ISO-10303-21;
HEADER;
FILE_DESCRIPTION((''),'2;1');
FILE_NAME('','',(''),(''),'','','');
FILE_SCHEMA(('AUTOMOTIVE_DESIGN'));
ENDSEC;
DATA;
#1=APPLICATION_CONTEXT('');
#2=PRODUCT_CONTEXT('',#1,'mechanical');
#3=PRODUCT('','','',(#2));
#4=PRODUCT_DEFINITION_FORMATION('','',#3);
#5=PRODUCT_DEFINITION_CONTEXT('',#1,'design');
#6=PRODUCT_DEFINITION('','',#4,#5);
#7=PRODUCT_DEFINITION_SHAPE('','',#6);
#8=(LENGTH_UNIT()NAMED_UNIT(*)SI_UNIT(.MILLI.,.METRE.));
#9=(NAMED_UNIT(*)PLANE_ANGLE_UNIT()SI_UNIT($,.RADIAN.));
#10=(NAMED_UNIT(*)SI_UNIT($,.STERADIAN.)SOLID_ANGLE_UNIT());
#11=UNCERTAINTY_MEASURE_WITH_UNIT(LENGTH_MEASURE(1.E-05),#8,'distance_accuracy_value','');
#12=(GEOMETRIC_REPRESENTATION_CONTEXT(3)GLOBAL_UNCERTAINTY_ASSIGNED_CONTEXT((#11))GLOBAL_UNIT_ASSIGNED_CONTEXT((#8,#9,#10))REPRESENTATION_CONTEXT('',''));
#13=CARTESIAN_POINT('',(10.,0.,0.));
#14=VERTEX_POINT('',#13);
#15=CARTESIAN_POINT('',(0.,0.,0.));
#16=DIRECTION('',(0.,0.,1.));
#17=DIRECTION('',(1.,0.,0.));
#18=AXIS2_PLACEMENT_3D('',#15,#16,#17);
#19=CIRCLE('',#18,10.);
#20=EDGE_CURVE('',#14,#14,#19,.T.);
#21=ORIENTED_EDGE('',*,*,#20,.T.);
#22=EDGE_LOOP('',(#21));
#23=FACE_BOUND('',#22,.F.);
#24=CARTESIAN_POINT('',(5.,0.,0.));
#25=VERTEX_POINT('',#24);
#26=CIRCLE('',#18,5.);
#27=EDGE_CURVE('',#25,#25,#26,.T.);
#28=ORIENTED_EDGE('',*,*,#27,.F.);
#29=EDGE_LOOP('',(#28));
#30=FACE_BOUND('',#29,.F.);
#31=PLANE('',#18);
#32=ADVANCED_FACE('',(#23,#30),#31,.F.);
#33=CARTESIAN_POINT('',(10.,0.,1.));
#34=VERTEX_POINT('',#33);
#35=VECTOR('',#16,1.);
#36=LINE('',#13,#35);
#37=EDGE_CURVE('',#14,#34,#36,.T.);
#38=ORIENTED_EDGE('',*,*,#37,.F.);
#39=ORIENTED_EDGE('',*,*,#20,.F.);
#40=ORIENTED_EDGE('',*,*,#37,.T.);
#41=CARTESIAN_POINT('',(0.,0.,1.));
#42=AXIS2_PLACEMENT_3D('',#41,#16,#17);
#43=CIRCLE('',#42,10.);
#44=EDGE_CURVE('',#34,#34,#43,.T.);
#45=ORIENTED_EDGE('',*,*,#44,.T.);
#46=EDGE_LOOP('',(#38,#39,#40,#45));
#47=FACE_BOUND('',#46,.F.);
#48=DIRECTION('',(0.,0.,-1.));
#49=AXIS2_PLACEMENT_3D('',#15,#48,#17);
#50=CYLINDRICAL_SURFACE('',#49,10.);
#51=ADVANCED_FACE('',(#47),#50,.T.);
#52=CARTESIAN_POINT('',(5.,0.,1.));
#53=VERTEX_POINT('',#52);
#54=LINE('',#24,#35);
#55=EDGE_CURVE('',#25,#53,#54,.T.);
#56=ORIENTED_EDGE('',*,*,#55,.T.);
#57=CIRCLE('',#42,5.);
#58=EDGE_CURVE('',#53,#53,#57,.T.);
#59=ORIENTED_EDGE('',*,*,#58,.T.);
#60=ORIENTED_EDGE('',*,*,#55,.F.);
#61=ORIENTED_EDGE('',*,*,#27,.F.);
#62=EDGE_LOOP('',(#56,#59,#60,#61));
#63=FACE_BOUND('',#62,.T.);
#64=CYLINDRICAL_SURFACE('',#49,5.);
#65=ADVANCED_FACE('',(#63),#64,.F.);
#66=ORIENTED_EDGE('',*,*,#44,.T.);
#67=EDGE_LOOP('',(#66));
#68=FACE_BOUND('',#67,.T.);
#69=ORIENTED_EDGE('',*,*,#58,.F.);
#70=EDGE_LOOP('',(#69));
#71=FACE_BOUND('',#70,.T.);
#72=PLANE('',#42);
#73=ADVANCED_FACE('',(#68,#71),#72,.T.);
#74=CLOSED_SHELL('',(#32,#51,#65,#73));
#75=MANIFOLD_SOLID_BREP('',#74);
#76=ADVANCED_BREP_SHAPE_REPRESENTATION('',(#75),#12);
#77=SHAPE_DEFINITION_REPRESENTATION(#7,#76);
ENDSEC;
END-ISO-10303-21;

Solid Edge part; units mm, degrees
sketch "Sketch1" plane through (0, 0, 0) normal (0, 0, 1) x (1, 0, 0)
  circle A0 centre (0, 0) radius 5
  circle A1 centre (0, 0) radius 10
  dimension "D1" = 10
extrude "ProtrusiónExtruida_21" add sketch "Sketch1" along normal blind 1
